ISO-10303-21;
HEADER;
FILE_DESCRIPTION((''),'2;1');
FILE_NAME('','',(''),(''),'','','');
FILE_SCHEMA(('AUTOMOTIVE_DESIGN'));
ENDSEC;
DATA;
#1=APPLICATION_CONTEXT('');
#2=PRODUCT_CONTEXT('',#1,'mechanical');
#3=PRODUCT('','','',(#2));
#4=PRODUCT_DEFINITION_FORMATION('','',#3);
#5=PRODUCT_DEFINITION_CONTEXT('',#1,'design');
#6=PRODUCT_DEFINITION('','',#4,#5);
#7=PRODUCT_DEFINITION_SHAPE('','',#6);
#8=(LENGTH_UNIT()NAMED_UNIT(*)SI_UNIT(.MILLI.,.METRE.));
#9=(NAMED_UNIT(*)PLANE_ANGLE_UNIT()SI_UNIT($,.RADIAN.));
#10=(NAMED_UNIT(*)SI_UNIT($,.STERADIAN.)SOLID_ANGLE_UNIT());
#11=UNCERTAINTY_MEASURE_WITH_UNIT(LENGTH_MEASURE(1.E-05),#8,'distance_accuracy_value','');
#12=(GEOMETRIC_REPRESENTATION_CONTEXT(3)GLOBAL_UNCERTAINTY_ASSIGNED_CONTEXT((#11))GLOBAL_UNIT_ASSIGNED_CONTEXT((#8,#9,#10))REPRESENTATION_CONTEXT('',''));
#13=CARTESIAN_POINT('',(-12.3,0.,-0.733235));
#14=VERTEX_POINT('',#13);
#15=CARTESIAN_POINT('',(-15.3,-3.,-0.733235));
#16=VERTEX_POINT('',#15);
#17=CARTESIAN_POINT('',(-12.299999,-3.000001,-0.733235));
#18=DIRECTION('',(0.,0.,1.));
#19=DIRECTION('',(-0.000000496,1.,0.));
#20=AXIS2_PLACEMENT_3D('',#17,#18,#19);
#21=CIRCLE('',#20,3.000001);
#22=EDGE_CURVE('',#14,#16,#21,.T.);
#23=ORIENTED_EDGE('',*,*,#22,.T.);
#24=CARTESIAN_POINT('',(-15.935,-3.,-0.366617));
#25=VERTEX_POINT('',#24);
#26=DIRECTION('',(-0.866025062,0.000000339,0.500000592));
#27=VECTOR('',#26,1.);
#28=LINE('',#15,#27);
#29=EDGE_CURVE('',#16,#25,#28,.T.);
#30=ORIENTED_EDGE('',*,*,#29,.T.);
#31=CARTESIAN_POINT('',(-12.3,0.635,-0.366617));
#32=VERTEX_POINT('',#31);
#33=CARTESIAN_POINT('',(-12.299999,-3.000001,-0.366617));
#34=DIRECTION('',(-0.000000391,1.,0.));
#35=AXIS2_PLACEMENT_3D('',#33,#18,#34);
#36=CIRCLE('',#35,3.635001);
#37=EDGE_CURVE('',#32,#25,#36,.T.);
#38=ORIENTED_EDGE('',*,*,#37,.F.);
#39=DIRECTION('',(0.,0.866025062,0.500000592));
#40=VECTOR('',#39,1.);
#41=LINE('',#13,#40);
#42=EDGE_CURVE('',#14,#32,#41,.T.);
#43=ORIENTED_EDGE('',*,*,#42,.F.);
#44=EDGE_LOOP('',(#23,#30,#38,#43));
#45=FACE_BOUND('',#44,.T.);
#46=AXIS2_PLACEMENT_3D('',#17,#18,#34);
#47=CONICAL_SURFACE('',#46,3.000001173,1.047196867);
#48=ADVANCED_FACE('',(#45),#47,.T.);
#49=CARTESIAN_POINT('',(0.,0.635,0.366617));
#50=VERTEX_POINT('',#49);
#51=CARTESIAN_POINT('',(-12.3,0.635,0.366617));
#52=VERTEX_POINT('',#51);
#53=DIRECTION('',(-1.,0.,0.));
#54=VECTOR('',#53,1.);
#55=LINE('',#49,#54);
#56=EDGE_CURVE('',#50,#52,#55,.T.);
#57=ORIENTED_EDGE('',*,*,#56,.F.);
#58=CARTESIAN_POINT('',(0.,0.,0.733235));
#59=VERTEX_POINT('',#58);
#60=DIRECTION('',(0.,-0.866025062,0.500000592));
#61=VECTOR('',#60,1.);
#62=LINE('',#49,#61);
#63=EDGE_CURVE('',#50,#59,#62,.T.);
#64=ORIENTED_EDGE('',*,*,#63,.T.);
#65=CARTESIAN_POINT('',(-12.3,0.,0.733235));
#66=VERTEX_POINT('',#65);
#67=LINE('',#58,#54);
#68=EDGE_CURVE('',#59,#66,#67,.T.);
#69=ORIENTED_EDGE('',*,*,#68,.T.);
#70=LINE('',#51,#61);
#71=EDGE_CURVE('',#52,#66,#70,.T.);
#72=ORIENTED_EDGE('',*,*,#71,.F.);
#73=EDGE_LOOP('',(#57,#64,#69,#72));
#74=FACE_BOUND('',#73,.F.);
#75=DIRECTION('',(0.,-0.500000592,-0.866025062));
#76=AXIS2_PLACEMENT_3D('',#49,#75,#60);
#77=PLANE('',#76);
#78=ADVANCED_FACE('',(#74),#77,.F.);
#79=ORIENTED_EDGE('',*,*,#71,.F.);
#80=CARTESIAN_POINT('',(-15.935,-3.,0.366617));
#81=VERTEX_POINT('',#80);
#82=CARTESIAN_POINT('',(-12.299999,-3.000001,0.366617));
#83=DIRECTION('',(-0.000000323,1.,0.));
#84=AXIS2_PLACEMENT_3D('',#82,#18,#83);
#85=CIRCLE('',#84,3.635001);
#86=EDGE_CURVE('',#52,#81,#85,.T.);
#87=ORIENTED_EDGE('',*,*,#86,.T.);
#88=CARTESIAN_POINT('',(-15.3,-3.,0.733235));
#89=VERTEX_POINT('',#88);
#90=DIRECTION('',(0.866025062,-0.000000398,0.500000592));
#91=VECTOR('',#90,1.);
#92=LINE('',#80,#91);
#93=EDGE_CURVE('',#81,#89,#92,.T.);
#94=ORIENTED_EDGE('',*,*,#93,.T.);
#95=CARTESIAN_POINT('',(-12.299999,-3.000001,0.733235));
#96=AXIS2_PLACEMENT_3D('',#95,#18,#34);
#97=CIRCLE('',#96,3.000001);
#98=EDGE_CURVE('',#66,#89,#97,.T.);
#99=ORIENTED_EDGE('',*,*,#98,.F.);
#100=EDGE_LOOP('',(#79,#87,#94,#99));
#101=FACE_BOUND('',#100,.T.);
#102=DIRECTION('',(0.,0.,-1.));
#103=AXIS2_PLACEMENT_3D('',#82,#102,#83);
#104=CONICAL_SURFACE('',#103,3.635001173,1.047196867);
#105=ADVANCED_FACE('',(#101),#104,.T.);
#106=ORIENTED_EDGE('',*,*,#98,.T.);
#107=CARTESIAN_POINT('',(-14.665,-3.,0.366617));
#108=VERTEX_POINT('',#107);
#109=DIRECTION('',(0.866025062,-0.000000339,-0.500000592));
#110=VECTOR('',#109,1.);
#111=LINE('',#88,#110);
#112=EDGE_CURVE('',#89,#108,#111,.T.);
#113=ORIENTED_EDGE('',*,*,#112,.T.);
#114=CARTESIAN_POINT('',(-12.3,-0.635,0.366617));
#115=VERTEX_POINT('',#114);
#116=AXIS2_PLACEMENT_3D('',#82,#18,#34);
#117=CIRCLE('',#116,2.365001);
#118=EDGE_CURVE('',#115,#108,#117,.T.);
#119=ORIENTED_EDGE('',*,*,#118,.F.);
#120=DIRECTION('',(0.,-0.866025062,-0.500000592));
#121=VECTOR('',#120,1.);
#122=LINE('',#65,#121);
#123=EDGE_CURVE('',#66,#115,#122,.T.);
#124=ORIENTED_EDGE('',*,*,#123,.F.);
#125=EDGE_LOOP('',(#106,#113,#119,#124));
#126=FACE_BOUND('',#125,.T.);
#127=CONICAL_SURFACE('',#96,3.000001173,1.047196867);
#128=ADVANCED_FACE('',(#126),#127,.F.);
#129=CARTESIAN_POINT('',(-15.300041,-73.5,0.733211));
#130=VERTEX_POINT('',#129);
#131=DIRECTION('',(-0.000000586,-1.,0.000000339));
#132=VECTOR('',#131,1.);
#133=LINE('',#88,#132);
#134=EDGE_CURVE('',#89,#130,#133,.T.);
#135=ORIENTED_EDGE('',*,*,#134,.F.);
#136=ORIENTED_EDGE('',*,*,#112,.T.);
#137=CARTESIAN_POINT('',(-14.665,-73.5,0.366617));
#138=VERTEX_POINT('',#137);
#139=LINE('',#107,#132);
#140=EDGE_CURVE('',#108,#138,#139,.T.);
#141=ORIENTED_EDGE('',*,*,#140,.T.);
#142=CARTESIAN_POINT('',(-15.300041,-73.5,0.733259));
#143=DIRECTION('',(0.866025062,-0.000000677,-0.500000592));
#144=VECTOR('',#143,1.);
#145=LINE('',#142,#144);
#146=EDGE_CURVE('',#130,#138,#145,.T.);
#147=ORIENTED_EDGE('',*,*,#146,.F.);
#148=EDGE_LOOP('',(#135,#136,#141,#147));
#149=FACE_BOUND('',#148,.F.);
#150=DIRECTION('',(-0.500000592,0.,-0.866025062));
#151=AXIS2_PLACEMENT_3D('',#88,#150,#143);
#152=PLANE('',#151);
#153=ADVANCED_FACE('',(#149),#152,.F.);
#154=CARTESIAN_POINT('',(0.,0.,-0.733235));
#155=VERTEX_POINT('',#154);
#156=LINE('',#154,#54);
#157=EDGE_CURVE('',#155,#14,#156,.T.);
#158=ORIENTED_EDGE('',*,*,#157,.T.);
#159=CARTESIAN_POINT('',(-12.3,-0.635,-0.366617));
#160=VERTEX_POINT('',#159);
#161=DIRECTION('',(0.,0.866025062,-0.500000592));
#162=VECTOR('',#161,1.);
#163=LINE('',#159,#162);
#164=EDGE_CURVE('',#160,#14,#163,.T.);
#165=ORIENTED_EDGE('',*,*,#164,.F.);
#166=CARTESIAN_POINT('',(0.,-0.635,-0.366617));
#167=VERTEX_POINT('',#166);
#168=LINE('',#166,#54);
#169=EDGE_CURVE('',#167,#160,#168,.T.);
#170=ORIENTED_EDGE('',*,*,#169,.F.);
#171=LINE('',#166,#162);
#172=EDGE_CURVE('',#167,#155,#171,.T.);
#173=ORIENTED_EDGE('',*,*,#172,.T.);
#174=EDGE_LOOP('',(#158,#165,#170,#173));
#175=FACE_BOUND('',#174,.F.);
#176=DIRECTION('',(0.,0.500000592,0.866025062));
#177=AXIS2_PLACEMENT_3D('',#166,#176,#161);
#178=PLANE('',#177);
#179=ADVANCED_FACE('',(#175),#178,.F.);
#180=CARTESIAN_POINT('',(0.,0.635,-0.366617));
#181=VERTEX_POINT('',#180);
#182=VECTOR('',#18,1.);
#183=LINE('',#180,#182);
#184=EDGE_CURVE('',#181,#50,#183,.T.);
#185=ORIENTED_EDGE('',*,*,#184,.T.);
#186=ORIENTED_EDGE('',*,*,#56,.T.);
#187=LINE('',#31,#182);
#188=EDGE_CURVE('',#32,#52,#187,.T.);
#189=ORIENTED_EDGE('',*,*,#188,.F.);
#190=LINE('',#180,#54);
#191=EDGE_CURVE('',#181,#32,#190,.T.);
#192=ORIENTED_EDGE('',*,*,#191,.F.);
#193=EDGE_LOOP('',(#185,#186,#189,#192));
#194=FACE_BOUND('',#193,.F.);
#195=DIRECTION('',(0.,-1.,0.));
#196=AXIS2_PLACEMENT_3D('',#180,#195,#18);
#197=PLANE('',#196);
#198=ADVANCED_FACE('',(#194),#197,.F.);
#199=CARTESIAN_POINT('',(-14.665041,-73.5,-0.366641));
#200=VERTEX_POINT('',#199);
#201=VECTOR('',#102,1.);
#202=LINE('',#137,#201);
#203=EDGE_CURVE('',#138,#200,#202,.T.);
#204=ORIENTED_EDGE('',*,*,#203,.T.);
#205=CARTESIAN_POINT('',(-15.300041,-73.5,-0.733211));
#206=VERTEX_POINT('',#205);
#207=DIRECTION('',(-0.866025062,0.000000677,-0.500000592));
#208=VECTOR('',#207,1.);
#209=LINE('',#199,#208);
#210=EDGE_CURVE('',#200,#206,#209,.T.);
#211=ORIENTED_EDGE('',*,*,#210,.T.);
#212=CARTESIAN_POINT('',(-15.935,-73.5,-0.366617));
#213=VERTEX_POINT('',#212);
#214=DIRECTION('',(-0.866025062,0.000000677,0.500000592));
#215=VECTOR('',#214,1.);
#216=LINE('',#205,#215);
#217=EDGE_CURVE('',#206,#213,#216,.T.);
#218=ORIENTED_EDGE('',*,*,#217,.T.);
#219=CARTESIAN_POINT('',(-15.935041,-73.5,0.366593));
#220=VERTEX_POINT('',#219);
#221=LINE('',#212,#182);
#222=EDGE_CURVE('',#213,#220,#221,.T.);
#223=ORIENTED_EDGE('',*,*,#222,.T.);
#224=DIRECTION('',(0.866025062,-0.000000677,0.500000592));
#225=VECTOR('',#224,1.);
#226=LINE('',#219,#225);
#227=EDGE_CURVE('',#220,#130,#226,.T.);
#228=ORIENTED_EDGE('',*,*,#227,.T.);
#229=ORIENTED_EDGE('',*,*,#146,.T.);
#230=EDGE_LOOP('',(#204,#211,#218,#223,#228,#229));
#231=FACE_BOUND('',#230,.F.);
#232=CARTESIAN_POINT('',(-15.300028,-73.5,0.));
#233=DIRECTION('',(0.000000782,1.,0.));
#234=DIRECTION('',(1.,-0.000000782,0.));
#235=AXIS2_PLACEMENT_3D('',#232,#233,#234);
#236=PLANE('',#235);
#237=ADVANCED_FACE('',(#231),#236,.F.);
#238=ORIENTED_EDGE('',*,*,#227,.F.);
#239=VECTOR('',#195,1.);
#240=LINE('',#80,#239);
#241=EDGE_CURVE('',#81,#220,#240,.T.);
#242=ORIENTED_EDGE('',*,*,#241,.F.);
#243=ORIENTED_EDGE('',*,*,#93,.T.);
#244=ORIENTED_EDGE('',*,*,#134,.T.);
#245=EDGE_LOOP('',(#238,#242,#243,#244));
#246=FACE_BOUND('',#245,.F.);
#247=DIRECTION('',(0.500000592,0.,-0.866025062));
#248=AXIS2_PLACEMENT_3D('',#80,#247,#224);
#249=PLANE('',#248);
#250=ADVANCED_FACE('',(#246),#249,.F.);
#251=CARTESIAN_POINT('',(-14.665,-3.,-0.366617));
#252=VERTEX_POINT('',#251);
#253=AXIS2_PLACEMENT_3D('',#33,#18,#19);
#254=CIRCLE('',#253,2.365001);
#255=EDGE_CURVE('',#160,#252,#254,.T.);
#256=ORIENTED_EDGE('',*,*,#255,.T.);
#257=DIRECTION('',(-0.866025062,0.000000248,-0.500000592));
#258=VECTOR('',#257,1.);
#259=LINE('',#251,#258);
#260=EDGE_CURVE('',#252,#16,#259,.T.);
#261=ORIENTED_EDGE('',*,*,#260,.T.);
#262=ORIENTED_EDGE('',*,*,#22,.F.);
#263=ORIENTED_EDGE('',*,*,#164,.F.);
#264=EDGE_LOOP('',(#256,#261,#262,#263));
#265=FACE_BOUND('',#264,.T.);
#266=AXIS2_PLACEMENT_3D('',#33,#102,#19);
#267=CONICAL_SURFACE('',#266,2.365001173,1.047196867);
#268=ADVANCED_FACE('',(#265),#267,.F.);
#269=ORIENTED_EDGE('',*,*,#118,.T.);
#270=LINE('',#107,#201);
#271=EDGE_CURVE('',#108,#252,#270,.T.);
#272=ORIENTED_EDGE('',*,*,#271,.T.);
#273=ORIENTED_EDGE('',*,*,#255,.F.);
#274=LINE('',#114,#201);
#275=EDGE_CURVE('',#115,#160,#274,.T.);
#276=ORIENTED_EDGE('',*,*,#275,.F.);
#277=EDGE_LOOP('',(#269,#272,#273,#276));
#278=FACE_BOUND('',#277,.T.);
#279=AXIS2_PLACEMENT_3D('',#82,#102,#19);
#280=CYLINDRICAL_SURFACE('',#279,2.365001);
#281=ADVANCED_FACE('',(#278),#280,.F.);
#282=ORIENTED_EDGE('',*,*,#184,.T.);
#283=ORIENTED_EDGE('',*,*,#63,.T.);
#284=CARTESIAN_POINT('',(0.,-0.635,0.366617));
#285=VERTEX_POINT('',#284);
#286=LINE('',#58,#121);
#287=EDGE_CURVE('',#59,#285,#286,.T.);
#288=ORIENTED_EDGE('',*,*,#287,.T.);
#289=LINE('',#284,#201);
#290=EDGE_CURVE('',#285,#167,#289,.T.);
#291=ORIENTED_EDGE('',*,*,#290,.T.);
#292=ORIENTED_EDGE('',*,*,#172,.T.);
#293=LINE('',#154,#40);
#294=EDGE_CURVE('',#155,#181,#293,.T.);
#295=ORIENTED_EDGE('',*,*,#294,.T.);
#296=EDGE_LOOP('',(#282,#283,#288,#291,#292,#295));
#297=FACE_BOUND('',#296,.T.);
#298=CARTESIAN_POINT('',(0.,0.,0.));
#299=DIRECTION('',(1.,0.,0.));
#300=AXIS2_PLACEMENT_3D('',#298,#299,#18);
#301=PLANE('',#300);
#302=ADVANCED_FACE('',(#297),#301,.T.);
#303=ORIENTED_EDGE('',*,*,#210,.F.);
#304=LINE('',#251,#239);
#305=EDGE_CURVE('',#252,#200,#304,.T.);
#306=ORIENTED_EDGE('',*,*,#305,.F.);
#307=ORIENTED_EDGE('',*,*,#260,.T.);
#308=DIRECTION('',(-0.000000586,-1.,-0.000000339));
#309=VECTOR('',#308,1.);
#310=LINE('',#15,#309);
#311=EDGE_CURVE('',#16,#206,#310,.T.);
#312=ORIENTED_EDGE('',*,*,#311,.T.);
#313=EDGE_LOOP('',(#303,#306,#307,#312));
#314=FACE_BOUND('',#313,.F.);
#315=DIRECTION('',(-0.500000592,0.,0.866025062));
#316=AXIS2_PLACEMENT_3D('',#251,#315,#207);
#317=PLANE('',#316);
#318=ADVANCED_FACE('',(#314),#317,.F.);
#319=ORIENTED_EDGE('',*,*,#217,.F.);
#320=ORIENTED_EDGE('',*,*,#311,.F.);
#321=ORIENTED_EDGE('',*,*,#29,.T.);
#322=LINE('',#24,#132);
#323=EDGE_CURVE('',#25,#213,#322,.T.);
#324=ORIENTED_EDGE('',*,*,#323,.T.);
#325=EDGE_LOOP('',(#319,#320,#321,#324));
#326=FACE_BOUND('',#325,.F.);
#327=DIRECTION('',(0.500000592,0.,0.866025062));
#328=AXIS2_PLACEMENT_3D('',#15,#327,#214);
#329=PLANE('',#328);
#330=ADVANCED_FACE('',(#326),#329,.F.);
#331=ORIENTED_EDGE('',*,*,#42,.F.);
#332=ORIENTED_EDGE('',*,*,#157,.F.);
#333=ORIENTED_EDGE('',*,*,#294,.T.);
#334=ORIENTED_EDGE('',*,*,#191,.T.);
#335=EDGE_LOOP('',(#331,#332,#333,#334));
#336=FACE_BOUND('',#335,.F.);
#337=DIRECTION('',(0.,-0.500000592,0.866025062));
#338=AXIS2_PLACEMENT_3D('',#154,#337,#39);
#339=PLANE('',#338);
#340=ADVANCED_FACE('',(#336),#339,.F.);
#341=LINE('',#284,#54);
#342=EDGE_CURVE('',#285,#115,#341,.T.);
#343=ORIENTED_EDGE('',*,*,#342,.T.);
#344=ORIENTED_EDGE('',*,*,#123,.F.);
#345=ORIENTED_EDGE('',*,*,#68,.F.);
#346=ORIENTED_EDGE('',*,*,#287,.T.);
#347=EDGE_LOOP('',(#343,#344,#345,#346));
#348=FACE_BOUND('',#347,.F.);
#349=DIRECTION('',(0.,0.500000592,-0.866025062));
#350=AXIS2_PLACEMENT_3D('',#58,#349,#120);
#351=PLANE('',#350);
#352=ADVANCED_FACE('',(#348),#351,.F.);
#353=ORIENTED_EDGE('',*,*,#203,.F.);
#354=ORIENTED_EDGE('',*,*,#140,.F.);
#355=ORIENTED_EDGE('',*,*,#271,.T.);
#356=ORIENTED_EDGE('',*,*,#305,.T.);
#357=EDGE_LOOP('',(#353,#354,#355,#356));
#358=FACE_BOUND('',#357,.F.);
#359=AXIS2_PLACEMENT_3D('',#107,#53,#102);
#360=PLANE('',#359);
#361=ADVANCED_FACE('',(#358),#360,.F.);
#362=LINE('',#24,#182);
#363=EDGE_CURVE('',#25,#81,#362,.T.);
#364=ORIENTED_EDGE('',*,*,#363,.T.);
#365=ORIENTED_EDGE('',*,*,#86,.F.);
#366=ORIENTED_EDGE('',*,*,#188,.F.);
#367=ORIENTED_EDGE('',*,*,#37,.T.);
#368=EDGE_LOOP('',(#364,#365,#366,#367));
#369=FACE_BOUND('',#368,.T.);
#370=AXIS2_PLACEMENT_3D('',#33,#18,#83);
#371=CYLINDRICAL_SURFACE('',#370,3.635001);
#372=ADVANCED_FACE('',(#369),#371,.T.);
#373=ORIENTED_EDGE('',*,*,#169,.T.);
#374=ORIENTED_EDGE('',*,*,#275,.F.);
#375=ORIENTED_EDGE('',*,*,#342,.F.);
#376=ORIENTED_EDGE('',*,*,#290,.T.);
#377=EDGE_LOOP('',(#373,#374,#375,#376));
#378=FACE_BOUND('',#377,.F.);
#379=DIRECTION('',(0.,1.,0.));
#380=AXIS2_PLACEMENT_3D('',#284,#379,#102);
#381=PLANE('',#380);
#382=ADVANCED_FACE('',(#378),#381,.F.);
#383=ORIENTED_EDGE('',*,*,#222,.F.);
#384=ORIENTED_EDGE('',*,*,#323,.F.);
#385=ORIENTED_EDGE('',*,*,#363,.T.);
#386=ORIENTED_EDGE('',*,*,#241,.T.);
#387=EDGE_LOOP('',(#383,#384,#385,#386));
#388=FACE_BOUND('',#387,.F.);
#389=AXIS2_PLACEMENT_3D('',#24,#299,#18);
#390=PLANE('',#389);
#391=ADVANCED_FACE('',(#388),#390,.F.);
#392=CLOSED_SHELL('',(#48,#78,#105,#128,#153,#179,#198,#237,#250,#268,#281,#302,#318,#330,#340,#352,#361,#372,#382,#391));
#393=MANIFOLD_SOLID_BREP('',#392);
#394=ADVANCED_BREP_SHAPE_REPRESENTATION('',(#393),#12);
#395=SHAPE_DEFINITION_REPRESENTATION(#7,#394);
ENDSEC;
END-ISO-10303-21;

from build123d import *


with BuildPart() as part:
    # AdditivePipe: sweep along a path in Sketch001
    with BuildLine(Plane.XY) as additivepipe_path:
        Line((0, 0), (-12.3, 0))
        ThreePointArc((-12.3, 0), (-14.42132, -0.87868), (-15.3, -3))
        Line((-15.3, -3), (-15.3, -73.5))
    # Sketch → AdditivePipe (sweep)
    with BuildSketch(Plane.YZ):
        Polygon((0, 0.733235), (-0.635, 0.366617), (-0.635, -0.366617), (0, -0.733235), (0.635, -0.366617), (0.635, 0.366617), align=None)
    sweep(path=additivepipe_path.line)


solid = part.part
